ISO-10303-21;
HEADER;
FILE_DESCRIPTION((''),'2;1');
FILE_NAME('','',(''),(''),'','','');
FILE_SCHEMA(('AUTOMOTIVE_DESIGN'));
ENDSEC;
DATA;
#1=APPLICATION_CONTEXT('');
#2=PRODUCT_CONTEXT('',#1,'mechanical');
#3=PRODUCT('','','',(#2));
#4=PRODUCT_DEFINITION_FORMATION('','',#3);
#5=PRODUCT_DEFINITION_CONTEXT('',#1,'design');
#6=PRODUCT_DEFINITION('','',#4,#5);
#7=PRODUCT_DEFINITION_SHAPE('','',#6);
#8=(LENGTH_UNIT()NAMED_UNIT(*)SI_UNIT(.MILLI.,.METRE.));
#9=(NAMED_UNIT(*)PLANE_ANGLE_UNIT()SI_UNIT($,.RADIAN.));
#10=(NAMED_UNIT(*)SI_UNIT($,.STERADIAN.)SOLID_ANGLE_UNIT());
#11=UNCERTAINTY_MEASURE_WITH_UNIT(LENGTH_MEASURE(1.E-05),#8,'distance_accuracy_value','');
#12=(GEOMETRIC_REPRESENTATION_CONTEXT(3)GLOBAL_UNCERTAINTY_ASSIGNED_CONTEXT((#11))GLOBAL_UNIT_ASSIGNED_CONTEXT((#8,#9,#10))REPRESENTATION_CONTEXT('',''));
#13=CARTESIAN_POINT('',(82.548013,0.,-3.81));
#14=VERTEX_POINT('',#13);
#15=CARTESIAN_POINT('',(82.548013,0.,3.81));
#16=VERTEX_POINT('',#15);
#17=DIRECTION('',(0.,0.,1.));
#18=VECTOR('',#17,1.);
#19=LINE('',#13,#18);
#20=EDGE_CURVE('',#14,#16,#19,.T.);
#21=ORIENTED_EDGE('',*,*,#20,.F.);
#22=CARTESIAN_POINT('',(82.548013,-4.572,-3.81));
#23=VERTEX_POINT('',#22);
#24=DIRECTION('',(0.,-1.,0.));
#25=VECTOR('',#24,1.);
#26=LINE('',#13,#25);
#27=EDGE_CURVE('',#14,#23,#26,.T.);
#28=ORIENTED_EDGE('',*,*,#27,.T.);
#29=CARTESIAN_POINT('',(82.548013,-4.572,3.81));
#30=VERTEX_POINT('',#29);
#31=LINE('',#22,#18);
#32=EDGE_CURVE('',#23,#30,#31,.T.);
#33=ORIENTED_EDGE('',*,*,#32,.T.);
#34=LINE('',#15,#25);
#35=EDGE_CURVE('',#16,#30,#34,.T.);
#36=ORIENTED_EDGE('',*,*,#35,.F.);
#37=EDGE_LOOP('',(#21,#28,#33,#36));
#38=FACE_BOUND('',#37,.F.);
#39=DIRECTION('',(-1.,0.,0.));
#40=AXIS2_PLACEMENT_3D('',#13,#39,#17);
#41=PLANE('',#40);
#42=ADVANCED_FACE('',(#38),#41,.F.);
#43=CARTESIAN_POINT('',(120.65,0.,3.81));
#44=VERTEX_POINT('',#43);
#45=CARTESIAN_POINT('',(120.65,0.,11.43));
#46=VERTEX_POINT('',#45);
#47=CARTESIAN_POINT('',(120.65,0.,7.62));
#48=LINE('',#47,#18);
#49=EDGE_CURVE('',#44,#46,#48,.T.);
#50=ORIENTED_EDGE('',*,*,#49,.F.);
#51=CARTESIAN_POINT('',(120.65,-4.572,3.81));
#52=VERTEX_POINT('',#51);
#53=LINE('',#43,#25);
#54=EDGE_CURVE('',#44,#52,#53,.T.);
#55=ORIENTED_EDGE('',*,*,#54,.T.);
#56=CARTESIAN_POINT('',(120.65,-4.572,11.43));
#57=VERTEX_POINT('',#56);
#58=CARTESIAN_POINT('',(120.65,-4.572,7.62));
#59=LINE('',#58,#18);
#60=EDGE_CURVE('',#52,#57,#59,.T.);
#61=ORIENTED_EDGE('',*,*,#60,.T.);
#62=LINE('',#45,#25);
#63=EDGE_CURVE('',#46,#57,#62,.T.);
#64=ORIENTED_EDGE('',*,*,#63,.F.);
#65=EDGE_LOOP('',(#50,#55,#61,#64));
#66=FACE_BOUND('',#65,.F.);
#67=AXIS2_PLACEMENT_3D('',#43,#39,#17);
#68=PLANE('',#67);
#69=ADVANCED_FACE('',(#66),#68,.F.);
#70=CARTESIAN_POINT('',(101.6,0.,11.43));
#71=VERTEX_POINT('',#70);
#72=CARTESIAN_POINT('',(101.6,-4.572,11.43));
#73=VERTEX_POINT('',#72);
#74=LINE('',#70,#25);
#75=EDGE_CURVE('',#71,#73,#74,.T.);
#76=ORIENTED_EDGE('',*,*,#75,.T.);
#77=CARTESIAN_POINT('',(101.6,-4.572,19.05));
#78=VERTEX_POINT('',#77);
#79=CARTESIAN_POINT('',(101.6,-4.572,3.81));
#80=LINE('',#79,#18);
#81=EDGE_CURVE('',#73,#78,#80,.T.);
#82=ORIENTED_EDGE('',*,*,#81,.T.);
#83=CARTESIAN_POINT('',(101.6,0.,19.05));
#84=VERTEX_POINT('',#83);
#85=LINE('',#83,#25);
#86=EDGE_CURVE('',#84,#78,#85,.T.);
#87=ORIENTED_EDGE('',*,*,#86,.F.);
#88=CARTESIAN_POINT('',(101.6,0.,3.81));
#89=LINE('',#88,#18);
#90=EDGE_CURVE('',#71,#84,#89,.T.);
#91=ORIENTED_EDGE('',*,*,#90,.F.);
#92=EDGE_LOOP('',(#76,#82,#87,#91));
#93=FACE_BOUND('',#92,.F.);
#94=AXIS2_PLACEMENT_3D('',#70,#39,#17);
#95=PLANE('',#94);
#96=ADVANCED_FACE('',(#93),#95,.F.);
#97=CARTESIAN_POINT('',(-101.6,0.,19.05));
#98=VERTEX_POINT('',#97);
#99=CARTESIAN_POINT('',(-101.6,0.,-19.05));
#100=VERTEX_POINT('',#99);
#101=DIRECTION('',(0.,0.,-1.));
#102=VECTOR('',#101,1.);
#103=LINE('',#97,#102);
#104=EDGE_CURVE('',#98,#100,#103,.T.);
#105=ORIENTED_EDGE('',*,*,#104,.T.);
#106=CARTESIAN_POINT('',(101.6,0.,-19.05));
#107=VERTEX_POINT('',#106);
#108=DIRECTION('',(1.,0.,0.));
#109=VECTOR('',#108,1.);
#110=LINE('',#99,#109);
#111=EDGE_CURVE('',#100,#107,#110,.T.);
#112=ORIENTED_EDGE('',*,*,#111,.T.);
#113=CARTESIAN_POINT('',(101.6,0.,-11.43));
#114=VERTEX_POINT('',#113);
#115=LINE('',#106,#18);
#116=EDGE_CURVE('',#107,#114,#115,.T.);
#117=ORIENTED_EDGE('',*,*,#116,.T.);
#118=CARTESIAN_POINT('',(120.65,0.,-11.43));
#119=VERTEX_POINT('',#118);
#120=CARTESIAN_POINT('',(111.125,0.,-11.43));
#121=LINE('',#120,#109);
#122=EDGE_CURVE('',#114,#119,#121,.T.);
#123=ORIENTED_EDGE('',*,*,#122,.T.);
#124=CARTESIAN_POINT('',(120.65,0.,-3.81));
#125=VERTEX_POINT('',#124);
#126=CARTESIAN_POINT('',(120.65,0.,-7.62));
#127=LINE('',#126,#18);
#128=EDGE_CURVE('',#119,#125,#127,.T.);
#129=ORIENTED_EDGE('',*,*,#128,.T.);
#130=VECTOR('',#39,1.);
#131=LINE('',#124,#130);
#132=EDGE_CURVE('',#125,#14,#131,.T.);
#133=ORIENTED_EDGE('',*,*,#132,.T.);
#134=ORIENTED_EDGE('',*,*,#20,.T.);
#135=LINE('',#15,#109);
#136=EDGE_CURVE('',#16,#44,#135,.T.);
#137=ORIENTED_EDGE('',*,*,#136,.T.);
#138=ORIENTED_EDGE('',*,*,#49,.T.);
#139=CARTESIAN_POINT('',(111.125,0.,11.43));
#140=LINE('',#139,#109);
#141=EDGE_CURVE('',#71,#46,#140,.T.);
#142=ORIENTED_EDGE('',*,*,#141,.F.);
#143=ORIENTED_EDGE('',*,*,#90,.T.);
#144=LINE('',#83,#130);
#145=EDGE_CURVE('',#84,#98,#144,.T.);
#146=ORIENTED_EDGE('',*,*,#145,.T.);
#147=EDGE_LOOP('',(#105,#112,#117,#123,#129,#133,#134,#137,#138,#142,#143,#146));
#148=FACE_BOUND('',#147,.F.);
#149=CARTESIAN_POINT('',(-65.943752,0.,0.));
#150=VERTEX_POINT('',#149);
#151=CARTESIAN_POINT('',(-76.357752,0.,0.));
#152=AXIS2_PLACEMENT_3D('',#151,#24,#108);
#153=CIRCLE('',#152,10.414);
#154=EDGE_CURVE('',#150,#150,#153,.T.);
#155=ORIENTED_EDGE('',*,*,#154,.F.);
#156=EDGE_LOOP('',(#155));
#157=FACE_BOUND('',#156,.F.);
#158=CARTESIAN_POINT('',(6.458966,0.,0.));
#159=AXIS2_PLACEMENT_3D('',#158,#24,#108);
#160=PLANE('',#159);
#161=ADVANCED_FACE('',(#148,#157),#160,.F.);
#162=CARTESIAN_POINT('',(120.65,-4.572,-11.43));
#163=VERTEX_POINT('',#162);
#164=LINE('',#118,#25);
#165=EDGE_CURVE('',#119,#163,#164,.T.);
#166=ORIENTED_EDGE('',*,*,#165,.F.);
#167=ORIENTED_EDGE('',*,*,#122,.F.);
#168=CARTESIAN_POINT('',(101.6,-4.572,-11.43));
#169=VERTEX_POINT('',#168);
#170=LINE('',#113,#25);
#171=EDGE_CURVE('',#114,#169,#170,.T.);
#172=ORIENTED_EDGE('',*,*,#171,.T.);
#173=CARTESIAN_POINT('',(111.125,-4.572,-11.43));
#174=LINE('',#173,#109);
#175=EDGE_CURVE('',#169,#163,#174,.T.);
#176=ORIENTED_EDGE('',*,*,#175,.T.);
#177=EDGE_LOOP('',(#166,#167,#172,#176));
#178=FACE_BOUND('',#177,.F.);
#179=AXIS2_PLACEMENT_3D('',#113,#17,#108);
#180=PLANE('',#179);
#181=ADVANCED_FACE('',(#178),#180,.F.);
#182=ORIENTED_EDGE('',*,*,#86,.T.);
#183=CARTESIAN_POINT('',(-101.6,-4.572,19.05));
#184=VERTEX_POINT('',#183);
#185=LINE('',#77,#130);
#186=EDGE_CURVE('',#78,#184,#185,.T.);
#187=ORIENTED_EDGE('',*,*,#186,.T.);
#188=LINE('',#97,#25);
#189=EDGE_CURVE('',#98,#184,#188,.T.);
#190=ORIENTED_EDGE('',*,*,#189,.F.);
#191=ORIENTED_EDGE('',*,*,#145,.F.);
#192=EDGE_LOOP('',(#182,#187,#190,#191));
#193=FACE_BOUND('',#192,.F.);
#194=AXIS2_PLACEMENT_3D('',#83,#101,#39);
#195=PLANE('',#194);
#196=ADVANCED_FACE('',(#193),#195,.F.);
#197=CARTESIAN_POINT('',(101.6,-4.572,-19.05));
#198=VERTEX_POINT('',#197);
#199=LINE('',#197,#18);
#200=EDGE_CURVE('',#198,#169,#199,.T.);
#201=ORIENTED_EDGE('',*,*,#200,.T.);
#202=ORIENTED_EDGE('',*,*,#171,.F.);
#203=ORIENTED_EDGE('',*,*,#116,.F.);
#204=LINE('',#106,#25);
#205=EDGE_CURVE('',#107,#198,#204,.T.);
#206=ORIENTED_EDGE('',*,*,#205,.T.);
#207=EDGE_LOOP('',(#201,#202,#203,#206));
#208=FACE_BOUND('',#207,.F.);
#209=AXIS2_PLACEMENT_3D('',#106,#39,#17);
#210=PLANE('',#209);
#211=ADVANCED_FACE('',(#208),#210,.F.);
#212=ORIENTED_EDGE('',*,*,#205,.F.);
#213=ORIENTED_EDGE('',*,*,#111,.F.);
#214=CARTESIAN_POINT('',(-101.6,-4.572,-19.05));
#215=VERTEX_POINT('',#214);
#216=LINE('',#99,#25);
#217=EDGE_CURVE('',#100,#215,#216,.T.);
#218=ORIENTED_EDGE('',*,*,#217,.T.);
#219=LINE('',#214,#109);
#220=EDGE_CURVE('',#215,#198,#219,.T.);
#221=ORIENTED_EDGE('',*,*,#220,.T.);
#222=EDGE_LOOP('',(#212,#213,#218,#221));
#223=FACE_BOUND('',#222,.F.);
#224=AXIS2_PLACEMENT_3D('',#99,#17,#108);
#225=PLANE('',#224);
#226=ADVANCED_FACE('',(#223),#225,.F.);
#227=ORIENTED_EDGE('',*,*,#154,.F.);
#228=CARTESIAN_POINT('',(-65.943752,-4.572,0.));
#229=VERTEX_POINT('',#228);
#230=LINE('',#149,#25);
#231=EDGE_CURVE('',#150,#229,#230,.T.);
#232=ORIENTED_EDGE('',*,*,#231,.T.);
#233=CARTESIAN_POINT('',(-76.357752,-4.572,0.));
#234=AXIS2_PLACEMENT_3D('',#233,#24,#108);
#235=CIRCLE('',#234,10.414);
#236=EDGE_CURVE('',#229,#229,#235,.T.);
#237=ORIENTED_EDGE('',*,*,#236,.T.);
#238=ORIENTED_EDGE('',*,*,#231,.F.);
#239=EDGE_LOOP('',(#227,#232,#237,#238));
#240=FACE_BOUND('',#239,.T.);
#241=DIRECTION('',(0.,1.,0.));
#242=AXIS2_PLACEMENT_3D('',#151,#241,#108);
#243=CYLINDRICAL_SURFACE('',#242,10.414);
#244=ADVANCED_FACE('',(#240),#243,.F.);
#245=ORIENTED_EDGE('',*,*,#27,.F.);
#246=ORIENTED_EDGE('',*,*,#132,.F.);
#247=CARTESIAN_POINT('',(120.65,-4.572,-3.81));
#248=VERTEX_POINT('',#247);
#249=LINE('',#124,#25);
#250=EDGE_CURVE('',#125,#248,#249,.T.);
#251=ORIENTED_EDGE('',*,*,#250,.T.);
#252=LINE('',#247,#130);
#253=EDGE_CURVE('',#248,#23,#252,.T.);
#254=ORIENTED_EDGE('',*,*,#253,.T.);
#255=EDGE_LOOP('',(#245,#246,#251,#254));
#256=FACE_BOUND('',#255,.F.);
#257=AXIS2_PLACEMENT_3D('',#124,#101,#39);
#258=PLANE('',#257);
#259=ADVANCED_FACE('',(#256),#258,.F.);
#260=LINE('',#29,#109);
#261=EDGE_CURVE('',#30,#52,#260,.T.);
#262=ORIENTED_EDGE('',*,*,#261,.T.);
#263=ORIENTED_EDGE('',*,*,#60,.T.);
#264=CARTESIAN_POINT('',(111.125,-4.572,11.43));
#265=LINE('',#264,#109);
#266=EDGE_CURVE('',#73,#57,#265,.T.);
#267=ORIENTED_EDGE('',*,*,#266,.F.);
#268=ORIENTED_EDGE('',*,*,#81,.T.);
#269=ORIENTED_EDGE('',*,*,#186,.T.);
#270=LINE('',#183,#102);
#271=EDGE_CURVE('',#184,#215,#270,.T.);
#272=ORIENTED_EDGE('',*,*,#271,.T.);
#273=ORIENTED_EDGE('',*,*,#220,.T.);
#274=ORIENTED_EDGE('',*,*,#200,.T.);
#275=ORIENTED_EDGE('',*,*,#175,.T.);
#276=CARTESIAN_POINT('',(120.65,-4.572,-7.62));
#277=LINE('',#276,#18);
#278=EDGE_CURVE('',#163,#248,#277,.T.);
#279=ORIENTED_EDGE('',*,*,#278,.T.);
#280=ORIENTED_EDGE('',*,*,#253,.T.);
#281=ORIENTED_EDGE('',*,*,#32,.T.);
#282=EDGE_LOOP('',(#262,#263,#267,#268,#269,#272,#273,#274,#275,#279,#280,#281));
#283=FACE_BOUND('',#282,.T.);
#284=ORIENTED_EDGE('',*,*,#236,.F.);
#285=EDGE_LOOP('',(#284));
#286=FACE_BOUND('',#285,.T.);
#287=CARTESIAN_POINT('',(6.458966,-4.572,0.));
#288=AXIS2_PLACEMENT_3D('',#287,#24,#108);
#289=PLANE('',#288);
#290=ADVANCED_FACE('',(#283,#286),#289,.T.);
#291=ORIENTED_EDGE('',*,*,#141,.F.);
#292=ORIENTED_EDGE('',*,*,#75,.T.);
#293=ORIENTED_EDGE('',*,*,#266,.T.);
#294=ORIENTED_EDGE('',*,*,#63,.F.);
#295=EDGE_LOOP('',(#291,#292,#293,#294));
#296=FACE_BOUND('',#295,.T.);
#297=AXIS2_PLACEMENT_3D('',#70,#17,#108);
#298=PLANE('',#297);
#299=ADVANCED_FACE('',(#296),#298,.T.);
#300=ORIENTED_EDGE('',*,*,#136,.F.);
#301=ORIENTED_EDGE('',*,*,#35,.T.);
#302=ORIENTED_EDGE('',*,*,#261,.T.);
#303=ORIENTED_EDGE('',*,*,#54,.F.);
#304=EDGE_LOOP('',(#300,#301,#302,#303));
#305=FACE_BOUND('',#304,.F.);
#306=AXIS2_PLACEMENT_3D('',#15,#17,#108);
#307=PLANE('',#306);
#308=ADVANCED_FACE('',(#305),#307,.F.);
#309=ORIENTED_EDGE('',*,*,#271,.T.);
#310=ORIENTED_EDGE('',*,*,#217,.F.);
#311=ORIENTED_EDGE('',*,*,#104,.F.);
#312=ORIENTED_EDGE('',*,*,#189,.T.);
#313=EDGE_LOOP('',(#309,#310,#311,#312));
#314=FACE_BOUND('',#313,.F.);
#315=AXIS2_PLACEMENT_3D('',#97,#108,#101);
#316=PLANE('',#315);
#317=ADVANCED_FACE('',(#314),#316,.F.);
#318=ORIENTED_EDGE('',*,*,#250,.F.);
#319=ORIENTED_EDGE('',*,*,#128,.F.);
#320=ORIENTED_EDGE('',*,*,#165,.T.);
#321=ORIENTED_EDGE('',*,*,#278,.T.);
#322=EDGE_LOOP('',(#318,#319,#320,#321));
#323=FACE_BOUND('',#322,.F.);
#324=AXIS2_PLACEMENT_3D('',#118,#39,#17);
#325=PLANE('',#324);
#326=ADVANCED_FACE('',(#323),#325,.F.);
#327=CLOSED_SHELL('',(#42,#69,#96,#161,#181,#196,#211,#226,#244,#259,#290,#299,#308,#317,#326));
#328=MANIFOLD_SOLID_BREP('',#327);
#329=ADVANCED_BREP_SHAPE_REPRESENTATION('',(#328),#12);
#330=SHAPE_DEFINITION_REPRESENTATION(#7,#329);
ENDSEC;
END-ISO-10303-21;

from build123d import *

# Parameters (mm, degrees)
F0_R     = 10.414
F0_W     = 19.05
F0_H     = 7.62
F1_DEPTH = 4.572


with BuildPart() as f1:
    # F0 (on Front) → F1 (new body)
    with BuildSketch(Plane.XZ):
        Polygon((-101.6, -19.05), (101.6, -19.05), (101.6, -11.43), (101.6, -3.81), (82.548013, -3.81), (82.548013, 3.81), (101.6, 3.81), (101.6, 11.43), (101.6, 19.05), (-101.6, 19.05), align=None)
        with Locations((-76.357752, 0)):
            Circle(F0_R, mode=Mode.SUBTRACT)
        with Locations((111.125, 7.62)):
            Rectangle(F0_W, F0_H)
        with Locations((111.125, -7.62)):
            Rectangle(F0_W, F0_H)
    extrude(amount=F1_DEPTH)


solid = f1.part
